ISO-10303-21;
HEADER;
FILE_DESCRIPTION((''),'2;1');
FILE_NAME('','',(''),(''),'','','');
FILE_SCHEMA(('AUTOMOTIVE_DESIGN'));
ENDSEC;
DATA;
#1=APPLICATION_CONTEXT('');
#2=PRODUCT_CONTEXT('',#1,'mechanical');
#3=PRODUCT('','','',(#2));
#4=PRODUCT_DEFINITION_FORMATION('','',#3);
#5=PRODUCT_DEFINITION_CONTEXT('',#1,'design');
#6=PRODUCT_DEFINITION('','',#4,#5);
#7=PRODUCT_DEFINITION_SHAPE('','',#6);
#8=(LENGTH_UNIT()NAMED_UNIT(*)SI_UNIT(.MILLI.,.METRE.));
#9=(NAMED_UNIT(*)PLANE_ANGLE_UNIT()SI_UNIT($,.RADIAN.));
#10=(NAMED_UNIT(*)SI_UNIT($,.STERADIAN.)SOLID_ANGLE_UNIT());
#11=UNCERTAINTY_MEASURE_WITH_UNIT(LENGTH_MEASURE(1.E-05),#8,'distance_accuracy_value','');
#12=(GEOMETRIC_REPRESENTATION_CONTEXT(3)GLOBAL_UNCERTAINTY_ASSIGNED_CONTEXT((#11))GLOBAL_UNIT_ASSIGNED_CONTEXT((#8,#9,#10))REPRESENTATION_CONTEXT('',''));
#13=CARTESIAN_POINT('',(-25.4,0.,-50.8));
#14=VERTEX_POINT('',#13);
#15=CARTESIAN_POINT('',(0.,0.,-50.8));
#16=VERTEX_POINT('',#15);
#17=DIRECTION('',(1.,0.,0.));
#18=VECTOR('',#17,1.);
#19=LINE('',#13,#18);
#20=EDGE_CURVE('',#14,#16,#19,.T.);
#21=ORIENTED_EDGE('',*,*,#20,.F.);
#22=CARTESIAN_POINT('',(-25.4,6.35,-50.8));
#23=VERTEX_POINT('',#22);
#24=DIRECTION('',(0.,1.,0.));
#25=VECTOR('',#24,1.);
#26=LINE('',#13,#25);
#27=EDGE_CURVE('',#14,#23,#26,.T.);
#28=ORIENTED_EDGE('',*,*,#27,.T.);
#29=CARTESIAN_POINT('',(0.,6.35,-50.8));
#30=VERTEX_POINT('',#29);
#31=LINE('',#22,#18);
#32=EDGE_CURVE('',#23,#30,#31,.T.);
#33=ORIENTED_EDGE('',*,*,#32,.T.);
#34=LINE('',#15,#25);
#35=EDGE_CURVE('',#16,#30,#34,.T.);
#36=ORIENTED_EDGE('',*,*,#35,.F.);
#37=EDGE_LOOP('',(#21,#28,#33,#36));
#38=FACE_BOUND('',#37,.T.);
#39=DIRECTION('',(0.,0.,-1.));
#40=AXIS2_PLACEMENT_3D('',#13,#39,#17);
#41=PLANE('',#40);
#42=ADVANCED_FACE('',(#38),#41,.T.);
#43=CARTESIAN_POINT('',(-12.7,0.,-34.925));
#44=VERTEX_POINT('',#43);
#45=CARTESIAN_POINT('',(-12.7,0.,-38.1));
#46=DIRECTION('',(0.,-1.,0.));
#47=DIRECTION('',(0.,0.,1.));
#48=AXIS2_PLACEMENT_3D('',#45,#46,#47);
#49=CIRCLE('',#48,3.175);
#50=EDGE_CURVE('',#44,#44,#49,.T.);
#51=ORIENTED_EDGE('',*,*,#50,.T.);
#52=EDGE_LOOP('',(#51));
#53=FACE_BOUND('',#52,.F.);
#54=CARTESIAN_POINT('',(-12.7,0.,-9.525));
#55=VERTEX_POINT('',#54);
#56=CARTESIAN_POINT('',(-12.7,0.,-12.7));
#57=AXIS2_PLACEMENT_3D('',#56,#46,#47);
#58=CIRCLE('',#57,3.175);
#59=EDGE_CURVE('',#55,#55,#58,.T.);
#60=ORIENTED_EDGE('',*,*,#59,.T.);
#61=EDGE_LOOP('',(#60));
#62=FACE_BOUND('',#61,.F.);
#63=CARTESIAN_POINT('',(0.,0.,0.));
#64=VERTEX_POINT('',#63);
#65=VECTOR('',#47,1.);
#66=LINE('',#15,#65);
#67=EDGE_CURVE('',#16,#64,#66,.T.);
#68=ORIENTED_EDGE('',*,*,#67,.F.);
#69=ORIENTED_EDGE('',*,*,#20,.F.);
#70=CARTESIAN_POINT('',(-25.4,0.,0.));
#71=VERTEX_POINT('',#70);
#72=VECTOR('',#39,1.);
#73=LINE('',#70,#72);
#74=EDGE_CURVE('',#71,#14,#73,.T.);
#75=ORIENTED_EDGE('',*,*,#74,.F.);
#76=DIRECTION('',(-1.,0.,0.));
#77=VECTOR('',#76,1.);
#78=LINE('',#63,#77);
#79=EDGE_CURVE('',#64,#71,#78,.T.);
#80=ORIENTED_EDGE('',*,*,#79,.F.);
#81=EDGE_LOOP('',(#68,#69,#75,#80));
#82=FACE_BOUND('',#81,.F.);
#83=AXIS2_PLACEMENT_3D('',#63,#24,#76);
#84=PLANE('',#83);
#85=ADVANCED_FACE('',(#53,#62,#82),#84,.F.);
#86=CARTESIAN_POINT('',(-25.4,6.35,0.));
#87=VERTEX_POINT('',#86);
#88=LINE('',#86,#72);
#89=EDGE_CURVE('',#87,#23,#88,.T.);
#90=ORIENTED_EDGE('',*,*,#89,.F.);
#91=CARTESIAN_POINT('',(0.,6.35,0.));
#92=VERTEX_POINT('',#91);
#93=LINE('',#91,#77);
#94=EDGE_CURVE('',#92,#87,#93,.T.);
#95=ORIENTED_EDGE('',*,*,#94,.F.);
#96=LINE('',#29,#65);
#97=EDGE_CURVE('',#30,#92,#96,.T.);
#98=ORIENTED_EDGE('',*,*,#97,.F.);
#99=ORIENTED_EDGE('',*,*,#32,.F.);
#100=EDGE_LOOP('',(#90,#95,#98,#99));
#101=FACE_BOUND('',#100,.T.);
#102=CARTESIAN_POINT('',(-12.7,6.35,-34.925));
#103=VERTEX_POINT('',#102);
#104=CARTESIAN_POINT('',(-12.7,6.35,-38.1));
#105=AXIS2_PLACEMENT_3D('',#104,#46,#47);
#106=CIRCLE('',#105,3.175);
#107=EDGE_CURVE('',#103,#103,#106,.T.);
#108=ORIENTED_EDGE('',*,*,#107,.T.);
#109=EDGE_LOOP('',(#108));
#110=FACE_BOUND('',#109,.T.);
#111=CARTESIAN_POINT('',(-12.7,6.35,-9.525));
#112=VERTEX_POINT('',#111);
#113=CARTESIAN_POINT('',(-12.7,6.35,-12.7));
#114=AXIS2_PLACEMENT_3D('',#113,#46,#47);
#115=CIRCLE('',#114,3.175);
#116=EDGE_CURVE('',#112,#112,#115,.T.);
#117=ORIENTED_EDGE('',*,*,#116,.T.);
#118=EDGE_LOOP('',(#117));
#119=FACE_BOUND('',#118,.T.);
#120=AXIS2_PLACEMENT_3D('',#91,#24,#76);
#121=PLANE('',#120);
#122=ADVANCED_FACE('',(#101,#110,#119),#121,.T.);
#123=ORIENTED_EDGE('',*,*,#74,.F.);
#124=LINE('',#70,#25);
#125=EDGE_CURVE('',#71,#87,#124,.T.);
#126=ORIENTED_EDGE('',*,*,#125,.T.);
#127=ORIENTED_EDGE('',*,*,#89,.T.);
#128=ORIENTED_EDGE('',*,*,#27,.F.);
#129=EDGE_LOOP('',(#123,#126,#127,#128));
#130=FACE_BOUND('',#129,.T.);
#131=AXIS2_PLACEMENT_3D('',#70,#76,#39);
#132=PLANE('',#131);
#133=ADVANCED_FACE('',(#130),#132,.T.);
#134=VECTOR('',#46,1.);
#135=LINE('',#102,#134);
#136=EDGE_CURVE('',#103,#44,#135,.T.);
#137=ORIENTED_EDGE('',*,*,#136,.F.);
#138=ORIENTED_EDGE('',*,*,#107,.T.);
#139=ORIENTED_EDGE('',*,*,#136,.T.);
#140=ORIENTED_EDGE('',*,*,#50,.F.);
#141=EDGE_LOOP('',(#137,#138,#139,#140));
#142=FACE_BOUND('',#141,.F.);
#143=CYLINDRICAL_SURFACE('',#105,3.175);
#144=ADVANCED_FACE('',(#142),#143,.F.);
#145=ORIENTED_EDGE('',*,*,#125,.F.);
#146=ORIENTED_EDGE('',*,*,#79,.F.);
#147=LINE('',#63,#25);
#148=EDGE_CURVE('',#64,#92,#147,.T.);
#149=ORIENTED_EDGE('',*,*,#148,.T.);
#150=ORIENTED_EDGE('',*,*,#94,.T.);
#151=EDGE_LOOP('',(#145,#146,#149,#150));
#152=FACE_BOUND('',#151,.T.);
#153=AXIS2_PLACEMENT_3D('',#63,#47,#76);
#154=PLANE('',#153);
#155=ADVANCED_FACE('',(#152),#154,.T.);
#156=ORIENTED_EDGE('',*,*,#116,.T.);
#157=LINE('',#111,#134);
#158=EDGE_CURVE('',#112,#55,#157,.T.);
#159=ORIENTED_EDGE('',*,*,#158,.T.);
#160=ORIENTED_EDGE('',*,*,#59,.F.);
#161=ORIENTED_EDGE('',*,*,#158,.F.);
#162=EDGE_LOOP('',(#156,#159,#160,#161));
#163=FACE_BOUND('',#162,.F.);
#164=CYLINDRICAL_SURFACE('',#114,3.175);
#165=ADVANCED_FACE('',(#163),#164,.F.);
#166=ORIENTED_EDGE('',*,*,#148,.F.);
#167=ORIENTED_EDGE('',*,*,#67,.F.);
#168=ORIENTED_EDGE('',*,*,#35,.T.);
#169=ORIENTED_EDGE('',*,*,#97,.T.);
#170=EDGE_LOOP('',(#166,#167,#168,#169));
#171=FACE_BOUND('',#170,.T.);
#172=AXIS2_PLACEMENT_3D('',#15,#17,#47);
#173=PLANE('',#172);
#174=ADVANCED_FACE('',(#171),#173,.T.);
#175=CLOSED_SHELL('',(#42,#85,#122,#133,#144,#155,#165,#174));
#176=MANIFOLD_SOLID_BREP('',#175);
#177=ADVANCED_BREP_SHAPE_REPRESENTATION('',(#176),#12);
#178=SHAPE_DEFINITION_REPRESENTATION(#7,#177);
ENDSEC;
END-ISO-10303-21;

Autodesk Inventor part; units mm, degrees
ref_plane "YZ Plane" through (0, 0, 0) normal (1, 0, 0) x (0, 1, 0)
ref_plane "XZ Plane" through (0, 0, 0) normal (0, 1, 0) x (-1, 0, 0)
ref_plane "XY Plane" through (0, 0, 0) normal (0, 0, 1) x (1, 0, 0)
sketch "Sketch1" plane through (0, 0, 0) normal (0, 1, 0) x (-1, 0, 0)
  line L0 (0, 0) -> (25.4, 0)
  line L1 (25.4, 0) -> (25.4, -50.8)
  line L2 (25.4, -50.8) -> (0, -50.8)
  line L3 (0, -50.8) -> (0, 0)
  dimension "d0" = 25.4
  dimension "d1" = 50.8
extrude "Extrusion1" add sketch "Sketch1" along normal blind 6.35
sketch "Sketch2" plane through (0, 6.35, 0) normal (0, 1, 0) x (1, 0, 0)
  line L0 (-25.4, 0) -> (0, 0) projected
  line L1 (0, 0) -> (0, 50.8) projected
  line L2 (0, 50.8) -> (-25.4, 50.8) projected
  line L3 (-25.4, 50.8) -> (-25.4, 0) projected
  point P0 (-12.7, 38.1)
  point P1 (-12.7, 12.7)
  dimension "d4" = 12.7
  dimension "d5" = 12.7
  dimension "d6" = 12.7
  dimension "d7" = 12.7
hole "Hole1" at (-12.7, 6.35, -38.1) at (-12.7, 6.35, -12.7) direction (0, -1, 0) diameter 6.35 end through all
properties part number "1x2AluminumSpacer.ver1-1111-2020"
